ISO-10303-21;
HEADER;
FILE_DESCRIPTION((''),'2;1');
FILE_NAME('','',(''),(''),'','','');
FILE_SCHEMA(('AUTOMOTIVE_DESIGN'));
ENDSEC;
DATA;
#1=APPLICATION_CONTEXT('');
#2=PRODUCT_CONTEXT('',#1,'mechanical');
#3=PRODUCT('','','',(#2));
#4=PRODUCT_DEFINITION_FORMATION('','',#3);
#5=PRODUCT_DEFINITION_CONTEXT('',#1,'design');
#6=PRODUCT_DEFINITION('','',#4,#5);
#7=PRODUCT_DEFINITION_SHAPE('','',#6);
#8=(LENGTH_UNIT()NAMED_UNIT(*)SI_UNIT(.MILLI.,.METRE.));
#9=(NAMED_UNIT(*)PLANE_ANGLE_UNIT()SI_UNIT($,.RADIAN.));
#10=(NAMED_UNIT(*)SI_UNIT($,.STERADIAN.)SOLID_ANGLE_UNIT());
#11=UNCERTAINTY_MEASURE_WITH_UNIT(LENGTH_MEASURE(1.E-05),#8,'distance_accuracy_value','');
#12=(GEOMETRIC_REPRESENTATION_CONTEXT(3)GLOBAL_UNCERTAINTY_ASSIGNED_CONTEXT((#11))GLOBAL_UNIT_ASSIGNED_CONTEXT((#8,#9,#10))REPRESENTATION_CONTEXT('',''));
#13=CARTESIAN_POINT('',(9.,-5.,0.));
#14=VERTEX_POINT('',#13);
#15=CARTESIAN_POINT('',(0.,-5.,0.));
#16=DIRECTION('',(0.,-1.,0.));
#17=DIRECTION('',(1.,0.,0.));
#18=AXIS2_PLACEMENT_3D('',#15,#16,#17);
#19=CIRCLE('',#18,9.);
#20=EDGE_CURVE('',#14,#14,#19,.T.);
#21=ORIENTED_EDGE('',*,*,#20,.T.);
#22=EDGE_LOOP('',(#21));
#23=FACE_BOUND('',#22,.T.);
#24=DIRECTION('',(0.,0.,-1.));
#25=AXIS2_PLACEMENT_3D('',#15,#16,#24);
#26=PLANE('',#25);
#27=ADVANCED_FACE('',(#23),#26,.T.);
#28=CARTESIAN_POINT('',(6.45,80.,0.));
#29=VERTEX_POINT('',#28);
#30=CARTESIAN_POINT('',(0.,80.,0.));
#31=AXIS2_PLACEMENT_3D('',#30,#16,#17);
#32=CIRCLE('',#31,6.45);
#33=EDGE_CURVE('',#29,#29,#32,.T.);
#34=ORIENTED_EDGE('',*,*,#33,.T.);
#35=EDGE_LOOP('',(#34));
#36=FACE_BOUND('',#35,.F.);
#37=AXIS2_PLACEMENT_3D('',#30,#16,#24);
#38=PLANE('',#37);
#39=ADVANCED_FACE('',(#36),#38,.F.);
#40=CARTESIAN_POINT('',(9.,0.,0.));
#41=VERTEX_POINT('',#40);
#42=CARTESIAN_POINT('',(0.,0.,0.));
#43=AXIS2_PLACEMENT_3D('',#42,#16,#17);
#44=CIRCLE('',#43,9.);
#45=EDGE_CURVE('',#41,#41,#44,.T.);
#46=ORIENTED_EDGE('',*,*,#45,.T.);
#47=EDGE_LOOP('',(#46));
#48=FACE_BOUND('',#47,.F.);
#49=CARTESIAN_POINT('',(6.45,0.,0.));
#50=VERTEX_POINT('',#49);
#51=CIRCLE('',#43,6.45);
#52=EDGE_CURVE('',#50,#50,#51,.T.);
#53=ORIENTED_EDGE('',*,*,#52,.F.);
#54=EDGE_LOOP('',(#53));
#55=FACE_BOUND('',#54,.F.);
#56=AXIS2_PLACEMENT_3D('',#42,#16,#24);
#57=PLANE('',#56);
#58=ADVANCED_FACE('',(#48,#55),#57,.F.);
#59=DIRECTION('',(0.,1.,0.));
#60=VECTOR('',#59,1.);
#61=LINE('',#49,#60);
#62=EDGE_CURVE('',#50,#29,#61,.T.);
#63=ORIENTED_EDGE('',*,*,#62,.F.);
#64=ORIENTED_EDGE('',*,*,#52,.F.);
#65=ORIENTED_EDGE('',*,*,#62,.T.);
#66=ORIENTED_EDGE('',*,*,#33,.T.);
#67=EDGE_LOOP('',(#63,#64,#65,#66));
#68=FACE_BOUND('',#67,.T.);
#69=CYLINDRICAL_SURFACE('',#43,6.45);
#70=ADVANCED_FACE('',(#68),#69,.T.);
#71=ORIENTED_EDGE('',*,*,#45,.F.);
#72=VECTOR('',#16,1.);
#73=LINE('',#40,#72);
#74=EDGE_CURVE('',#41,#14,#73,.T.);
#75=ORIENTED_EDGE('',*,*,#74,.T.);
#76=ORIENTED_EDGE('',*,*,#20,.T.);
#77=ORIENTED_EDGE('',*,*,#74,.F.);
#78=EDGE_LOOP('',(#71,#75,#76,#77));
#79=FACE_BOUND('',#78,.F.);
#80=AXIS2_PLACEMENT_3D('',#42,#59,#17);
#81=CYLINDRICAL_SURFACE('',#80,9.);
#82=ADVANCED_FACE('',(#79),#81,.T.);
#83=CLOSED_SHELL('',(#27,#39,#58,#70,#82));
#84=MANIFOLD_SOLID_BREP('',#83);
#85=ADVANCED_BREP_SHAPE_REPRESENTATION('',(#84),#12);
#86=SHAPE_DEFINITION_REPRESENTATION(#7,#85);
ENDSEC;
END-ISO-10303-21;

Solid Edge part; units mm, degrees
sketch "Sketch1" plane through (0, 0, 0) normal (0, -1, 0) x (1, 0, 0)
  circle A0 centre (0, 0) radius 6.45
extrude "Protrusion1" add sketch "Sketch1" against normal blind 80
sketch "Sketch2" plane through (0, 0, 0) normal (0, -1, 0) x (1, 0, 0)
  circle A0 centre (0, 0) radius 9
extrude "ExtrudedProtrusion_2" add sketch "Sketch2" along normal blind 5
